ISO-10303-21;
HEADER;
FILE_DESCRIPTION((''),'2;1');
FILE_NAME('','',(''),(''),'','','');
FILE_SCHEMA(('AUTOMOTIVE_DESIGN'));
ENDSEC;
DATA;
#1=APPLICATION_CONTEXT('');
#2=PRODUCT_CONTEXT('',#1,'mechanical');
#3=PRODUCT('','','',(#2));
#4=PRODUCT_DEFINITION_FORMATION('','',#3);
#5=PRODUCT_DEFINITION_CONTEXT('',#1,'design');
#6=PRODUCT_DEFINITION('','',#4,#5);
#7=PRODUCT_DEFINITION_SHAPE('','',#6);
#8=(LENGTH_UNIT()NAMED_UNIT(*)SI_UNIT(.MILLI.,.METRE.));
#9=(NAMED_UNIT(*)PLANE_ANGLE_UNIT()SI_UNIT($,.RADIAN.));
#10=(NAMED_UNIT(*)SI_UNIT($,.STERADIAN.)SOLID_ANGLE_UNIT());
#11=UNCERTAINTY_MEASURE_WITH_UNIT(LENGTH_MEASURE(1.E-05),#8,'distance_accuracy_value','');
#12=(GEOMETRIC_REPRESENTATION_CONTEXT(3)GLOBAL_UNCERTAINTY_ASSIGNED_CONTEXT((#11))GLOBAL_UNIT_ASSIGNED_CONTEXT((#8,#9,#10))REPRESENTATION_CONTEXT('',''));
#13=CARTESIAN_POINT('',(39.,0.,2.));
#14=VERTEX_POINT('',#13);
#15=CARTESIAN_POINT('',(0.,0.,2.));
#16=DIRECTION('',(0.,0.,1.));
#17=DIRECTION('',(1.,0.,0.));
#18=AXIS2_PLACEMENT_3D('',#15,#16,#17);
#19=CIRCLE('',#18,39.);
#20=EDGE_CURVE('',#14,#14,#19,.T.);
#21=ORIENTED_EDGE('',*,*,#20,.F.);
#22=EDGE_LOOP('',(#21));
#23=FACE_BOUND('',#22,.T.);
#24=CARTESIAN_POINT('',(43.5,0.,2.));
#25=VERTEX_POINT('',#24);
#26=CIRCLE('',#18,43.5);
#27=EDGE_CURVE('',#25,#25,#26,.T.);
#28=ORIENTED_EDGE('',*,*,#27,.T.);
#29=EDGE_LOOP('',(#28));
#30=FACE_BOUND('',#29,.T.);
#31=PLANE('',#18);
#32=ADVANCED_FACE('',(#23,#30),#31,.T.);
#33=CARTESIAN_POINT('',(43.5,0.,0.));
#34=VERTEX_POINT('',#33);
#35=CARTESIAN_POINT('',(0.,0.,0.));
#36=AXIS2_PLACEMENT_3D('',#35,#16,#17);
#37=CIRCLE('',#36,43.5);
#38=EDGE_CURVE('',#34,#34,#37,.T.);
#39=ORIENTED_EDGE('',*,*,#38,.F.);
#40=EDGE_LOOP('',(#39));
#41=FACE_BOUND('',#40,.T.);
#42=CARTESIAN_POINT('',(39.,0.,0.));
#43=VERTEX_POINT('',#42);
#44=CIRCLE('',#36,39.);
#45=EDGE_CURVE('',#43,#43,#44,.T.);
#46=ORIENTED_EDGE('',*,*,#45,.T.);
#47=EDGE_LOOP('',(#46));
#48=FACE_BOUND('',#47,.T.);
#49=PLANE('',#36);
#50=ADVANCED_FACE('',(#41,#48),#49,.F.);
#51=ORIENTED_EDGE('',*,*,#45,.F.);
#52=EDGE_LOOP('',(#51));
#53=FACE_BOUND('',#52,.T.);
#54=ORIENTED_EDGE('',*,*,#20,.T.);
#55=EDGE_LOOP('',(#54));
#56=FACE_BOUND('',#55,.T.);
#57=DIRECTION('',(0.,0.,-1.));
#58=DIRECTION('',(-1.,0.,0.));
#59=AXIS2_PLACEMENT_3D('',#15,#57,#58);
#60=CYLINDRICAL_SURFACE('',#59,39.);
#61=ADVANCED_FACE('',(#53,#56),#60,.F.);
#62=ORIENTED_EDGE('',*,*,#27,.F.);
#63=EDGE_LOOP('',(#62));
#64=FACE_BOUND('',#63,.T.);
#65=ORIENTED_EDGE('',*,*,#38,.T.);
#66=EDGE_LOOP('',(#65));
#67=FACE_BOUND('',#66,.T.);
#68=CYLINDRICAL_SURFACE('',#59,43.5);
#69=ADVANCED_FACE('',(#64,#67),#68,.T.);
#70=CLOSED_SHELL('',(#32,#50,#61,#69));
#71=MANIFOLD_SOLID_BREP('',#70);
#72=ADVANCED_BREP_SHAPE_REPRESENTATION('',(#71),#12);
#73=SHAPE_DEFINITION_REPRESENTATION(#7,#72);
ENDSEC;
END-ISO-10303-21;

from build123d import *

# Parameters (mm, degrees)
ESQUISSE1_R        = 43.5
ESQUISSE1_R_2      = 39
BOSS_EXTRU_1_DEPTH = 2


with BuildPart() as part:
    # Esquisse1 → Boss.-Extru.1 (new body)
    with BuildSketch(Plane.XY):
        Circle(ESQUISSE1_R)
        Circle(ESQUISSE1_R_2, mode=Mode.SUBTRACT)
    extrude(amount=BOSS_EXTRU_1_DEPTH)


solid = part.part
